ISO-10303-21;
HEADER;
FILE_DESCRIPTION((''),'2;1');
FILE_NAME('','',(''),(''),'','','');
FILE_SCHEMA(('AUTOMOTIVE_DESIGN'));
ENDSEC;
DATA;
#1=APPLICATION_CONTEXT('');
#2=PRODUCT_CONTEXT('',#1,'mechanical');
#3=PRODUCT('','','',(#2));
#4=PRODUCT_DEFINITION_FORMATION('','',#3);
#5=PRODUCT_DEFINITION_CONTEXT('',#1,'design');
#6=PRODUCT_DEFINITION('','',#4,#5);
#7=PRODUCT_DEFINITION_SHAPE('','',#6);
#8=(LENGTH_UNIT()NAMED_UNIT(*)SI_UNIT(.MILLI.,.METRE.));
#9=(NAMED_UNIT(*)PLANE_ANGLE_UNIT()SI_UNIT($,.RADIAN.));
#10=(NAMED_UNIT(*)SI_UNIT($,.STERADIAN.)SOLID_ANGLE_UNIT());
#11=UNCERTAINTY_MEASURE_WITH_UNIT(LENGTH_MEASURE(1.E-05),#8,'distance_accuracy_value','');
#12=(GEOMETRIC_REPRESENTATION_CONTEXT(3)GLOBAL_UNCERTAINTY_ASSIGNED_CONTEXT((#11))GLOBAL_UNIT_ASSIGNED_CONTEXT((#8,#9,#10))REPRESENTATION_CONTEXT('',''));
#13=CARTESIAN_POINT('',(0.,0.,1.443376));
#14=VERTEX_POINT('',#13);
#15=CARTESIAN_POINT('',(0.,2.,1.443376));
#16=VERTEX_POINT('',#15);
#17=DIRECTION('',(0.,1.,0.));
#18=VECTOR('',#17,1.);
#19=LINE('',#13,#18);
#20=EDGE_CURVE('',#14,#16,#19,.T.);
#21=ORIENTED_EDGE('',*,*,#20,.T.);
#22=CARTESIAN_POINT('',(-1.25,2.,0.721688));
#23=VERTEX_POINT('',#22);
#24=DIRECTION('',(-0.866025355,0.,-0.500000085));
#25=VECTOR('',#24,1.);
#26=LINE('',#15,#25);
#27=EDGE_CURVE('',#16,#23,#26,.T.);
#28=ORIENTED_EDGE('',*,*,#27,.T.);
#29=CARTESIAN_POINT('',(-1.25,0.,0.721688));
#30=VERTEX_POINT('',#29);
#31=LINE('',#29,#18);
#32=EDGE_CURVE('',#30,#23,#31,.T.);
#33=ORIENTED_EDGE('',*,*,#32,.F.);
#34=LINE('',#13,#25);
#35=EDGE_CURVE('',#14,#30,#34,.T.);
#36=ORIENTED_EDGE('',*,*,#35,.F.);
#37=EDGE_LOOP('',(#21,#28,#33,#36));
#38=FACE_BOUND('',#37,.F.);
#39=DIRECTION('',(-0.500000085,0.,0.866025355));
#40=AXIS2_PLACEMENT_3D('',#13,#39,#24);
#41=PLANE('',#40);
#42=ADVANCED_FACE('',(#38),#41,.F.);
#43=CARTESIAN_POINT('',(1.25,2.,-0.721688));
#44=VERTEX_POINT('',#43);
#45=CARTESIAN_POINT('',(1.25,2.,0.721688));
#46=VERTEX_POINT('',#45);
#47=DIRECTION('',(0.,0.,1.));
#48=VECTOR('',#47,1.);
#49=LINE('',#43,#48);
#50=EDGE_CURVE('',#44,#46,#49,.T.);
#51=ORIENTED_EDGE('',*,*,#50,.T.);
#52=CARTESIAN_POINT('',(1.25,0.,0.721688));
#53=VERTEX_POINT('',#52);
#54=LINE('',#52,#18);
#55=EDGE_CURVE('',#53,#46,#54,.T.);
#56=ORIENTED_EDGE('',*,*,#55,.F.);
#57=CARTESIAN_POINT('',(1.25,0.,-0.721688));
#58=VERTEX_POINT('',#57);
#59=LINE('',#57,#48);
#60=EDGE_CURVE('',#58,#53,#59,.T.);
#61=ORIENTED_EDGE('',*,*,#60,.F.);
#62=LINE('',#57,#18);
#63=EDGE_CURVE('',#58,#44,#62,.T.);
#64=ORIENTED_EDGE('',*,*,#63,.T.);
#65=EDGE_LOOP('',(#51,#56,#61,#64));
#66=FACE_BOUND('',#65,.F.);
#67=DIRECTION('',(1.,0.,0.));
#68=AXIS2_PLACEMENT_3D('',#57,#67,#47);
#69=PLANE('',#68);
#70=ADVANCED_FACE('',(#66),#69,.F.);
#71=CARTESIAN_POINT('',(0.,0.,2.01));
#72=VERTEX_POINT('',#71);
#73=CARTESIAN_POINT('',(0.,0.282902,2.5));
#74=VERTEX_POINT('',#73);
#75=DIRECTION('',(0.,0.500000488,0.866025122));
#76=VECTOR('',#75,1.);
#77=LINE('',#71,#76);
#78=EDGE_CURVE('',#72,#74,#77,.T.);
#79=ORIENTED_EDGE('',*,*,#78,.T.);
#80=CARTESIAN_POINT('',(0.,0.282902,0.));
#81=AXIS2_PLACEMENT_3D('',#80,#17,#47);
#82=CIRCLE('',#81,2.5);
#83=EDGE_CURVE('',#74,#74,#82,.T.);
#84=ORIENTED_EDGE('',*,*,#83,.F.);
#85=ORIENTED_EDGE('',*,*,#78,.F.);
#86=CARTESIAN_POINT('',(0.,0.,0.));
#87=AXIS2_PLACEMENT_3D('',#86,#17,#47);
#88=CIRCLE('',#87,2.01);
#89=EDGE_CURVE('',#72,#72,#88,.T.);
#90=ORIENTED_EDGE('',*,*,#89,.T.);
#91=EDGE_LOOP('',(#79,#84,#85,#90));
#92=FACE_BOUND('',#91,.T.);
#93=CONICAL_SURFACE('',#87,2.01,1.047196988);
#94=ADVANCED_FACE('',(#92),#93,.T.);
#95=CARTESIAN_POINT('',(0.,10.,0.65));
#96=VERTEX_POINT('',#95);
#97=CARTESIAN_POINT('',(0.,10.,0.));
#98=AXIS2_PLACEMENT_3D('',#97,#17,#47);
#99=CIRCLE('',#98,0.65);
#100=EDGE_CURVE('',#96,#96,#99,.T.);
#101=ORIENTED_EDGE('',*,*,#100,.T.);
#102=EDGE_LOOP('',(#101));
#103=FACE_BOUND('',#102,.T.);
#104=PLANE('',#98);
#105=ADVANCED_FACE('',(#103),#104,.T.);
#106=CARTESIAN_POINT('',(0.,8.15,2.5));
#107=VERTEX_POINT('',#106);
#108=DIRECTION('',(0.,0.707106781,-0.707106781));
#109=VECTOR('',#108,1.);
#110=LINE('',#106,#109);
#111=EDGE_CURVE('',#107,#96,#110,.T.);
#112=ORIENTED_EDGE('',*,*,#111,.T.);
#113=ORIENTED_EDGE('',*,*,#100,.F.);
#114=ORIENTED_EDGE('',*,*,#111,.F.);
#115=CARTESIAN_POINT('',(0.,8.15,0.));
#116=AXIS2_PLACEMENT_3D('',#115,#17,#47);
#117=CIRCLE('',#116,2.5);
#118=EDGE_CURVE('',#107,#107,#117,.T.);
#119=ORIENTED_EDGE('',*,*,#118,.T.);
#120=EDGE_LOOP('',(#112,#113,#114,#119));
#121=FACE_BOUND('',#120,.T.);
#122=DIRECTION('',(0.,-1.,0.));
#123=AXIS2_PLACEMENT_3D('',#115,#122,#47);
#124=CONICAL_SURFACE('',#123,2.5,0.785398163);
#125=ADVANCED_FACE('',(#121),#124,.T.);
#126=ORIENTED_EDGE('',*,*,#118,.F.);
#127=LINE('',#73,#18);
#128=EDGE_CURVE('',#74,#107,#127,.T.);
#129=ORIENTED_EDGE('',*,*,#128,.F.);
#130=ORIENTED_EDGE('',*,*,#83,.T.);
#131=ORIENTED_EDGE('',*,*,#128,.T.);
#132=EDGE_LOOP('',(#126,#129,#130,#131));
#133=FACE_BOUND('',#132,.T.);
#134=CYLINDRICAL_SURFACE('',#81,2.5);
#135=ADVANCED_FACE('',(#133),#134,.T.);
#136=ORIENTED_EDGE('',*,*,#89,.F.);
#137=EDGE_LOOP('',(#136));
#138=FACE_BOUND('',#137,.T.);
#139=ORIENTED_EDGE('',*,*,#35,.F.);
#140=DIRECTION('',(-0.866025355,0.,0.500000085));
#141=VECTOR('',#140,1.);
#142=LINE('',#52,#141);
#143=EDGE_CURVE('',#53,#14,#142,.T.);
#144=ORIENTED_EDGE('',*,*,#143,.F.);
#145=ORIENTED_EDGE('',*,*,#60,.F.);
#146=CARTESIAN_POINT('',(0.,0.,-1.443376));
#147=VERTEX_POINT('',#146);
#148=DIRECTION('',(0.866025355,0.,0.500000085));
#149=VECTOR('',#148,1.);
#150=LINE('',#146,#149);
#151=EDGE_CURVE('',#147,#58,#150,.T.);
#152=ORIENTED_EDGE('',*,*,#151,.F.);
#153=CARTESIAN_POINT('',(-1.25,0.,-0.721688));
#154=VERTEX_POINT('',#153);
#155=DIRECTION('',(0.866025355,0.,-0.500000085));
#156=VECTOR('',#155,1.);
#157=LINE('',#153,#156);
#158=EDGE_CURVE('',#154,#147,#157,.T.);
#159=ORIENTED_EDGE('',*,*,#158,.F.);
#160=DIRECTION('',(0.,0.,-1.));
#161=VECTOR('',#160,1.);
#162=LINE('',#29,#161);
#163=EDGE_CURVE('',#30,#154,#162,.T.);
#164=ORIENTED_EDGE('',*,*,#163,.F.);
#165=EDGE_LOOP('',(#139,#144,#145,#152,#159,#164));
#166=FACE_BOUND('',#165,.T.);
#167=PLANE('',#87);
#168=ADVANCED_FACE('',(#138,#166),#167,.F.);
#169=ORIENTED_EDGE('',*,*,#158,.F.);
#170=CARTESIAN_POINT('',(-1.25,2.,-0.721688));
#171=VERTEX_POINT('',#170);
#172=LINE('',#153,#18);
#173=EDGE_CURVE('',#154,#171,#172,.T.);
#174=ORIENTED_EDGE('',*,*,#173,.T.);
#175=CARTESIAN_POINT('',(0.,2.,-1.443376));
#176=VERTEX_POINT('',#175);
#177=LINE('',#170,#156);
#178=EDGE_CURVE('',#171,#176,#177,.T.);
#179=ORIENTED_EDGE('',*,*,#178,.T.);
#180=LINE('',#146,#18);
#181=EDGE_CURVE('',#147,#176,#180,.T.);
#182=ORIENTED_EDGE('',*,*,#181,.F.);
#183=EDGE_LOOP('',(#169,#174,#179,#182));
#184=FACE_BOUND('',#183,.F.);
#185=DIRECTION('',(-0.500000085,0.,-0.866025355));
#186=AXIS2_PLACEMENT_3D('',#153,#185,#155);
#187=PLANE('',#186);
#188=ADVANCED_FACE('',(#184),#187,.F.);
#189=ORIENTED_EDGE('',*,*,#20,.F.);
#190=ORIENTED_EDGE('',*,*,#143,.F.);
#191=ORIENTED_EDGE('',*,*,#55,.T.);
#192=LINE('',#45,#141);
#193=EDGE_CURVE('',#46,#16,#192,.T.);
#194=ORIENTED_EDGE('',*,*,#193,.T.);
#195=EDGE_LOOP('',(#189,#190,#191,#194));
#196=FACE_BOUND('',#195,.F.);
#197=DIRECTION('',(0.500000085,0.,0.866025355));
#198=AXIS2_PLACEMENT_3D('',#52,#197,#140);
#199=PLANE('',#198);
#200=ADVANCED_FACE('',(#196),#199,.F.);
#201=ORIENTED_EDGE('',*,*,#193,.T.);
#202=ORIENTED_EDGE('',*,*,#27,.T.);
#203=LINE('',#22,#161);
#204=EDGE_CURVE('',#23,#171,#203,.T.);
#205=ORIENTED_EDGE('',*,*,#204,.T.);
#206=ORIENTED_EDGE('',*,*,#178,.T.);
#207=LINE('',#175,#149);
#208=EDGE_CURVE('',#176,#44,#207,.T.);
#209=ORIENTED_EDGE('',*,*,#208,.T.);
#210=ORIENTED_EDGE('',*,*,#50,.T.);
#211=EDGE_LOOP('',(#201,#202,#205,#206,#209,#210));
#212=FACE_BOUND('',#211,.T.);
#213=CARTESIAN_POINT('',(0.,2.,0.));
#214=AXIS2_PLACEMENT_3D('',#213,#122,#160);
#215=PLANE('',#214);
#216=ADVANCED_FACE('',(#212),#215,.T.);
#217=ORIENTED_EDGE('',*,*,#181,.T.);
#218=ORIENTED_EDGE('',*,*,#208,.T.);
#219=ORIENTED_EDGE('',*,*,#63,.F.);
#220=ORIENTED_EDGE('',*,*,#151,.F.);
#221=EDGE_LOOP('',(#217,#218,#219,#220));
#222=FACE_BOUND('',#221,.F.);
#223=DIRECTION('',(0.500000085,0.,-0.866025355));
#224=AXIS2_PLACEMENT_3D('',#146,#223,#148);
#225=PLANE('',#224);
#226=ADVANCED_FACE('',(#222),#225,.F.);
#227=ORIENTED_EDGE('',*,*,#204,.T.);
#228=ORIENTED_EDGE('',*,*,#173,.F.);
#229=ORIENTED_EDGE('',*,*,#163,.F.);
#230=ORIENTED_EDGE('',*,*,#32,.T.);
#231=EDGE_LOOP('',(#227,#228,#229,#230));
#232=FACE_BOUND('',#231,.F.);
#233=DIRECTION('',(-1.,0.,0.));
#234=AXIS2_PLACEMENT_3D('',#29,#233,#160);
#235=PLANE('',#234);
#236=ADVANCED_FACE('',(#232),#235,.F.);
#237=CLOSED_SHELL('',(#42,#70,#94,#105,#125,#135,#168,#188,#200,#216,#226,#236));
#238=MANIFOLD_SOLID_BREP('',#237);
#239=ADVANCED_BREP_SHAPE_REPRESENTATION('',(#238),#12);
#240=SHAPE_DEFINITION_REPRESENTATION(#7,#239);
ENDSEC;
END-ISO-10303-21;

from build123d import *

# Parameters (mm, degrees)
POCKET_DEPTH = 2


with BuildPart() as part:
    # Sketch → Revolution (revolve)
    with BuildSketch(Plane.YZ):
        Polygon((0, 0), (0, 2.01), (0.282902, 2.5), (8.15, 2.5), (10, 0.65), (10, 0), align=None)
    revolve(axis=Axis((0, 0, 0), (0, 1, 0)))

    # Sketch001 → Pocket (cut)
    with BuildSketch(Plane(origin=(0, 0, 0), x_dir=(0, 0, -1), z_dir=(0, -1, 0))):
        Polygon((-0.721688, -1.25), (0.721688, -1.25), (1.443376, 0), (0.721688, 1.25), (-0.721688, 1.25), (-1.443376, 0), align=None)
    extrude(amount=-POCKET_DEPTH, mode=Mode.SUBTRACT)


solid = part.part
